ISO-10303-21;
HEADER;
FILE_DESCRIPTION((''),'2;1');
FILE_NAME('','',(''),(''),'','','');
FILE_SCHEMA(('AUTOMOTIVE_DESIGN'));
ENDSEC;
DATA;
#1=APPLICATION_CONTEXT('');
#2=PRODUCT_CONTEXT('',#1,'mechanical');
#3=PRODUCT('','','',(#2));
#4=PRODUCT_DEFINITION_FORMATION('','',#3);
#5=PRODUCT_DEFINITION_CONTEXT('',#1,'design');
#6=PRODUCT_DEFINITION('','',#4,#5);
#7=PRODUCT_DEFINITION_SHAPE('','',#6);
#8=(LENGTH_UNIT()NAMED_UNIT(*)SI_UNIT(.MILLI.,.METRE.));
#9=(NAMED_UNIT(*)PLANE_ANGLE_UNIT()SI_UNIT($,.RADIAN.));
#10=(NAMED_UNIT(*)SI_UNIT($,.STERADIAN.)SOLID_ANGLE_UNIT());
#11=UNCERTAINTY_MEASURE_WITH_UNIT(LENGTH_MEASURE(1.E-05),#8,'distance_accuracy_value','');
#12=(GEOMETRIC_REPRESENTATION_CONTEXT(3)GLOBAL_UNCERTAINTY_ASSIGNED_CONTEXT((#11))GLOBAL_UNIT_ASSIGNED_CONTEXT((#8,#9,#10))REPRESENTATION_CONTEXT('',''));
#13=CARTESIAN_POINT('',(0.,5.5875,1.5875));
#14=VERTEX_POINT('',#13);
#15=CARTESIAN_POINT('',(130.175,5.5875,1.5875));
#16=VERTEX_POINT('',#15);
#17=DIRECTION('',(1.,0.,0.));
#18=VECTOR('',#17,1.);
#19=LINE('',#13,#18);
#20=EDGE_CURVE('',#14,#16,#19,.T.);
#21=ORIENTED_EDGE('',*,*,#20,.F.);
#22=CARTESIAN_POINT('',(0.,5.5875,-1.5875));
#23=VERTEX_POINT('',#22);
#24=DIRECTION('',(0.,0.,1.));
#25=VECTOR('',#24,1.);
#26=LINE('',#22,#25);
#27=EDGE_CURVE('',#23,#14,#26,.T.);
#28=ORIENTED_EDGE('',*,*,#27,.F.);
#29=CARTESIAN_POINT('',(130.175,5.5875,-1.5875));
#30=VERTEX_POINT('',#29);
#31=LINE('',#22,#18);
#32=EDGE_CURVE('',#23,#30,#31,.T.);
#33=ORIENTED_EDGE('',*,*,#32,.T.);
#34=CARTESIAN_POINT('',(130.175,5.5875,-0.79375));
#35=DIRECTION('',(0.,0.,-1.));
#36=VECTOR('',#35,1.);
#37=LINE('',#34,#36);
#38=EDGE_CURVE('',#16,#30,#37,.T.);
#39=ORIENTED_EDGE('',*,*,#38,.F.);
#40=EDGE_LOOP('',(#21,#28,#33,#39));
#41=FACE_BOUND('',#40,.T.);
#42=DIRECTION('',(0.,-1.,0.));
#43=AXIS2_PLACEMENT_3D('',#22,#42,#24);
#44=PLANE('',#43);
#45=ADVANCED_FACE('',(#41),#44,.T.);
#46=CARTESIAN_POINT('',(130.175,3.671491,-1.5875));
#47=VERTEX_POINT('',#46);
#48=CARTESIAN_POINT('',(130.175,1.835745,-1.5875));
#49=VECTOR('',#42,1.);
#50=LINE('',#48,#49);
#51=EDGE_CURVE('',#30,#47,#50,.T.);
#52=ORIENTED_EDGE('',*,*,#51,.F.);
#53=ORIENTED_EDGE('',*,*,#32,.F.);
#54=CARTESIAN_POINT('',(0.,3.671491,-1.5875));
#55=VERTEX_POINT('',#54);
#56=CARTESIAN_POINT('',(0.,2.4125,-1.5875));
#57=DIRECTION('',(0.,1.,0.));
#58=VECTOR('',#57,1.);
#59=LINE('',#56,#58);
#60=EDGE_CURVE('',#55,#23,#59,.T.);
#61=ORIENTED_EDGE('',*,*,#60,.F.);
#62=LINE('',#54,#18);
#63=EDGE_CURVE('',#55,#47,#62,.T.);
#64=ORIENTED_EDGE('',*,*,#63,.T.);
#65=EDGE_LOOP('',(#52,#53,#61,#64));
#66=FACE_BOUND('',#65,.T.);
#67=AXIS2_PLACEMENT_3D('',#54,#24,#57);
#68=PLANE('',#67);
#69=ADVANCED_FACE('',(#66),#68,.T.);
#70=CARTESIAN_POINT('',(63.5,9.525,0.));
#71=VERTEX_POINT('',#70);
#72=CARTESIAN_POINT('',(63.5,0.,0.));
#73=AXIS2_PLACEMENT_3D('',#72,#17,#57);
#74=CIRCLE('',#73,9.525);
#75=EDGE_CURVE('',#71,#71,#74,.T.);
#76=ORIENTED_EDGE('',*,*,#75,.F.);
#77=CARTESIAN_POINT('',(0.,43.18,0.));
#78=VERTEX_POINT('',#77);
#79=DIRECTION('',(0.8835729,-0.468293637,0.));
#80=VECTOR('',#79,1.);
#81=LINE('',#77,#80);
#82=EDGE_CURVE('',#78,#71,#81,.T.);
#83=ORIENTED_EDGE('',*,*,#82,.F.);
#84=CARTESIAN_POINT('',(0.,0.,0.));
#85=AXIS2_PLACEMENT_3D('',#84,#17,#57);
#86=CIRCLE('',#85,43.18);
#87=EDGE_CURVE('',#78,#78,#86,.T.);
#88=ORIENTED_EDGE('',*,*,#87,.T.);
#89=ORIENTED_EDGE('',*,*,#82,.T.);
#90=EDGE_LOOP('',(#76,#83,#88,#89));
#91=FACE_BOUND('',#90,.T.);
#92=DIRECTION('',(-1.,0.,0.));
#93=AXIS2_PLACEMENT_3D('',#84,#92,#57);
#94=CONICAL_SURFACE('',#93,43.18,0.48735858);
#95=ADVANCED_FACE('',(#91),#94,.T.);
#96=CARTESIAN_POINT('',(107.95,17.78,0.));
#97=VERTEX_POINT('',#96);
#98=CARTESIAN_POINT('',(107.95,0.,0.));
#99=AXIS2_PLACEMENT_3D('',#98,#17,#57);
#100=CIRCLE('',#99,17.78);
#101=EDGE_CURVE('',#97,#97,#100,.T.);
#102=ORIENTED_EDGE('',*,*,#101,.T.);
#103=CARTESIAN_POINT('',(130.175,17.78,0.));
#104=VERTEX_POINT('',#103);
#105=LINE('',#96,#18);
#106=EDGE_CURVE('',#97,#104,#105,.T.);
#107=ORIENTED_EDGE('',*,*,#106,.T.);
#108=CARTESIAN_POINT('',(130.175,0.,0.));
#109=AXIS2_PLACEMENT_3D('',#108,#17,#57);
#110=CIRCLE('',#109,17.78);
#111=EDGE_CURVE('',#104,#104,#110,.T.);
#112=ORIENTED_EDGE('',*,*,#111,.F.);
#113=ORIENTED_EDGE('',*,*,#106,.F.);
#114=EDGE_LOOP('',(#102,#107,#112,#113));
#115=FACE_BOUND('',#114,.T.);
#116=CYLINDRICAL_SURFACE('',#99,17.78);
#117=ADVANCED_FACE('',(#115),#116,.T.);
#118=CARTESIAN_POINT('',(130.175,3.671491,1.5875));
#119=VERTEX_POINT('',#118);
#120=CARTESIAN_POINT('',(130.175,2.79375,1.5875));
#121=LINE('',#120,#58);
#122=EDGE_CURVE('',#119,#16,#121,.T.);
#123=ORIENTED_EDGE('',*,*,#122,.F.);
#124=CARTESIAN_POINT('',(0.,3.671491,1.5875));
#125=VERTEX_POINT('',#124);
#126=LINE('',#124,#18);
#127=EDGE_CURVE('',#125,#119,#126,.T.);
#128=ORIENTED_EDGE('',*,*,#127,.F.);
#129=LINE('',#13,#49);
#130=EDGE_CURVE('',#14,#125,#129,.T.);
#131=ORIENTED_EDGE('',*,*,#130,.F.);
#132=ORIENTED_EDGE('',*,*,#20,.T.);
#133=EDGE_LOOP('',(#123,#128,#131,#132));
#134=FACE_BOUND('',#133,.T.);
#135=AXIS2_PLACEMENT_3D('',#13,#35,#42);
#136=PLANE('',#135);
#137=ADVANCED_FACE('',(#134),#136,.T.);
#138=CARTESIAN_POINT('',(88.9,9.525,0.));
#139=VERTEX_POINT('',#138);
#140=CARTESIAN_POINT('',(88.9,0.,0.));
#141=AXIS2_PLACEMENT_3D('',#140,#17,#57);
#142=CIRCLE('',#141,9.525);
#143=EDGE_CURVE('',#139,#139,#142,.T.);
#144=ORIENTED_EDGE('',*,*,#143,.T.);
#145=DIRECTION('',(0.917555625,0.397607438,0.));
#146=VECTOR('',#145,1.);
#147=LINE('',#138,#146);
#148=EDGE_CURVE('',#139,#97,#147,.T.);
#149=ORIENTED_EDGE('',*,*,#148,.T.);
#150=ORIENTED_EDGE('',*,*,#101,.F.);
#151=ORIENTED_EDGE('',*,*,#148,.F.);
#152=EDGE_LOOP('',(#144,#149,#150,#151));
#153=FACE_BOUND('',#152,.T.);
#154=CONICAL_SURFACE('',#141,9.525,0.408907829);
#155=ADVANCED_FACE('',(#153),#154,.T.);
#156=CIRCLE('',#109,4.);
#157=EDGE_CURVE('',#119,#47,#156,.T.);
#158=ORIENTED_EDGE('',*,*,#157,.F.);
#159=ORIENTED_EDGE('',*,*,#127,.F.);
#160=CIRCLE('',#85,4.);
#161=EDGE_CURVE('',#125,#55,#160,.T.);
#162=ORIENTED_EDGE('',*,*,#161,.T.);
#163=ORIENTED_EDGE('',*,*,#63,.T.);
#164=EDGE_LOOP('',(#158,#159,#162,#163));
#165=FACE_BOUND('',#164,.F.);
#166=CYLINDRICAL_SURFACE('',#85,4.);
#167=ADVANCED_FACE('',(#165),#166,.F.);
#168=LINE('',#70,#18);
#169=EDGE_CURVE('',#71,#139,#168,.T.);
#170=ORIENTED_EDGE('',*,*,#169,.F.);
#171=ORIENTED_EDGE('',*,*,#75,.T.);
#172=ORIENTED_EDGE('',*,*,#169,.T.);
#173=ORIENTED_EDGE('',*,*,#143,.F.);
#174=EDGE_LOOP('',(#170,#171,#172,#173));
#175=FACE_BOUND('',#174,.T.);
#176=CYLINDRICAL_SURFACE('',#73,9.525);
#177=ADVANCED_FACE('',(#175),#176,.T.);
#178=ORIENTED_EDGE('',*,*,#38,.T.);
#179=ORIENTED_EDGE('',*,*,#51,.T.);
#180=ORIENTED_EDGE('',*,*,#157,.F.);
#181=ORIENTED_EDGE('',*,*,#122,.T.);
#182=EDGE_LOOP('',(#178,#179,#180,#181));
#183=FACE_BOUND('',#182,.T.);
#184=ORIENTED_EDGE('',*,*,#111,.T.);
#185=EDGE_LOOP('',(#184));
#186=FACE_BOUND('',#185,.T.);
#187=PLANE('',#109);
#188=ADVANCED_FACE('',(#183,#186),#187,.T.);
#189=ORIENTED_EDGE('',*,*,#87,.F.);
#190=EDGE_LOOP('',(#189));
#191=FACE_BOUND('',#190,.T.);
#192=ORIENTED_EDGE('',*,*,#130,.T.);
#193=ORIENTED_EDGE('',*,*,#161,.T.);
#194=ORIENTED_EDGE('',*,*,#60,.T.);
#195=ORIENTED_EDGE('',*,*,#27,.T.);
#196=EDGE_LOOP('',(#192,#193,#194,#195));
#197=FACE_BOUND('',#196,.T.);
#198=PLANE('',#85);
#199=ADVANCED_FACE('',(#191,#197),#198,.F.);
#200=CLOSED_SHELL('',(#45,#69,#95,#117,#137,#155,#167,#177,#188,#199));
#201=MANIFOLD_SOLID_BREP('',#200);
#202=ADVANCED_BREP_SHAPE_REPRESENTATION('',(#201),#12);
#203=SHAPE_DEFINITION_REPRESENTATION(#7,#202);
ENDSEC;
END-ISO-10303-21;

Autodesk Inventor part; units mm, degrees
ref_plane "YZ Plane" through (0, 0, 0) normal (1, 0, 0) x (0, 1, 0)
ref_plane "XZ Plane" through (0, 0, 0) normal (0, 1, 0) x (-1, 0, 0)
ref_plane "XY Plane" through (0, 0, 0) normal (0, 0, 1) x (1, 0, 0)
sketch "Sketch1" plane through (0, 0, 0) normal (0, 0, 1) x (1, 0, 0)
  line L0 (0, 0) -> (0, 43.18)
  line L1 (0, 43.18) -> (63.5, 9.525)
  line L2 (88.9, 9.525) -> (107.95, 17.78)
  line L3 (107.95, 17.78) -> (130.175, 17.78)
  line L4 (130.175, 17.78) -> (130.175, 0)
  line L5 (0, 0) -> (130.175, 0)
  line L6 (63.5, 9.525) -> (88.9, 9.525)
  line L7 (0, 4) -> (130.175, 4)
  dimension "d0" = 43.18
  dimension "d6" = 22.225
  dimension "d14" = 4
  dimension "d17" = 9.525
  dimension "d18" = 17.78
  dimension "d21" = 25.4
  dimension "d22" = 63.5
  dimension "d29" = 19.05
revolve "Revolution1" add sketch "Sketch1" angle 360 about axis through (0, 0, 0) along (1, 0, 0) contours L0 L1 L6 L2 L3 L4 L7
sketch "Sketch2" plane through (0, 0, 0) normal (-1, 0, 0) x (0, 0, 1)
  line L0 (-1.5875, 5.5875) -> (1.5875, 5.5875)
  line L1 (1.5875, 5.5875) -> (1.5875, 2.4125)
  line L2 (1.5875, 2.4125) -> (-1.5875, 2.4125)
  line L3 (-1.5875, 2.4125) -> (-1.5875, 5.5875)
  circle A0 centre (0, 0) radius 4 projected
  line L4 (-1.5875, 5.5875) -> (1.5875, 2.4125) construction
  line L5 (1.5875, 5.5875) -> (-1.5875, 2.4125) construction
  point P0 (0, 4)
  dimension "d24" = 3.175
  dimension "d25" = 3.175
extrude "Extrusion1" cut sketch "Sketch2" against normal through all contours L0 L1 A0 L3 | A0 L1 L2 L3 picked at (0, 2.9417)
properties part number "SpacerA"
